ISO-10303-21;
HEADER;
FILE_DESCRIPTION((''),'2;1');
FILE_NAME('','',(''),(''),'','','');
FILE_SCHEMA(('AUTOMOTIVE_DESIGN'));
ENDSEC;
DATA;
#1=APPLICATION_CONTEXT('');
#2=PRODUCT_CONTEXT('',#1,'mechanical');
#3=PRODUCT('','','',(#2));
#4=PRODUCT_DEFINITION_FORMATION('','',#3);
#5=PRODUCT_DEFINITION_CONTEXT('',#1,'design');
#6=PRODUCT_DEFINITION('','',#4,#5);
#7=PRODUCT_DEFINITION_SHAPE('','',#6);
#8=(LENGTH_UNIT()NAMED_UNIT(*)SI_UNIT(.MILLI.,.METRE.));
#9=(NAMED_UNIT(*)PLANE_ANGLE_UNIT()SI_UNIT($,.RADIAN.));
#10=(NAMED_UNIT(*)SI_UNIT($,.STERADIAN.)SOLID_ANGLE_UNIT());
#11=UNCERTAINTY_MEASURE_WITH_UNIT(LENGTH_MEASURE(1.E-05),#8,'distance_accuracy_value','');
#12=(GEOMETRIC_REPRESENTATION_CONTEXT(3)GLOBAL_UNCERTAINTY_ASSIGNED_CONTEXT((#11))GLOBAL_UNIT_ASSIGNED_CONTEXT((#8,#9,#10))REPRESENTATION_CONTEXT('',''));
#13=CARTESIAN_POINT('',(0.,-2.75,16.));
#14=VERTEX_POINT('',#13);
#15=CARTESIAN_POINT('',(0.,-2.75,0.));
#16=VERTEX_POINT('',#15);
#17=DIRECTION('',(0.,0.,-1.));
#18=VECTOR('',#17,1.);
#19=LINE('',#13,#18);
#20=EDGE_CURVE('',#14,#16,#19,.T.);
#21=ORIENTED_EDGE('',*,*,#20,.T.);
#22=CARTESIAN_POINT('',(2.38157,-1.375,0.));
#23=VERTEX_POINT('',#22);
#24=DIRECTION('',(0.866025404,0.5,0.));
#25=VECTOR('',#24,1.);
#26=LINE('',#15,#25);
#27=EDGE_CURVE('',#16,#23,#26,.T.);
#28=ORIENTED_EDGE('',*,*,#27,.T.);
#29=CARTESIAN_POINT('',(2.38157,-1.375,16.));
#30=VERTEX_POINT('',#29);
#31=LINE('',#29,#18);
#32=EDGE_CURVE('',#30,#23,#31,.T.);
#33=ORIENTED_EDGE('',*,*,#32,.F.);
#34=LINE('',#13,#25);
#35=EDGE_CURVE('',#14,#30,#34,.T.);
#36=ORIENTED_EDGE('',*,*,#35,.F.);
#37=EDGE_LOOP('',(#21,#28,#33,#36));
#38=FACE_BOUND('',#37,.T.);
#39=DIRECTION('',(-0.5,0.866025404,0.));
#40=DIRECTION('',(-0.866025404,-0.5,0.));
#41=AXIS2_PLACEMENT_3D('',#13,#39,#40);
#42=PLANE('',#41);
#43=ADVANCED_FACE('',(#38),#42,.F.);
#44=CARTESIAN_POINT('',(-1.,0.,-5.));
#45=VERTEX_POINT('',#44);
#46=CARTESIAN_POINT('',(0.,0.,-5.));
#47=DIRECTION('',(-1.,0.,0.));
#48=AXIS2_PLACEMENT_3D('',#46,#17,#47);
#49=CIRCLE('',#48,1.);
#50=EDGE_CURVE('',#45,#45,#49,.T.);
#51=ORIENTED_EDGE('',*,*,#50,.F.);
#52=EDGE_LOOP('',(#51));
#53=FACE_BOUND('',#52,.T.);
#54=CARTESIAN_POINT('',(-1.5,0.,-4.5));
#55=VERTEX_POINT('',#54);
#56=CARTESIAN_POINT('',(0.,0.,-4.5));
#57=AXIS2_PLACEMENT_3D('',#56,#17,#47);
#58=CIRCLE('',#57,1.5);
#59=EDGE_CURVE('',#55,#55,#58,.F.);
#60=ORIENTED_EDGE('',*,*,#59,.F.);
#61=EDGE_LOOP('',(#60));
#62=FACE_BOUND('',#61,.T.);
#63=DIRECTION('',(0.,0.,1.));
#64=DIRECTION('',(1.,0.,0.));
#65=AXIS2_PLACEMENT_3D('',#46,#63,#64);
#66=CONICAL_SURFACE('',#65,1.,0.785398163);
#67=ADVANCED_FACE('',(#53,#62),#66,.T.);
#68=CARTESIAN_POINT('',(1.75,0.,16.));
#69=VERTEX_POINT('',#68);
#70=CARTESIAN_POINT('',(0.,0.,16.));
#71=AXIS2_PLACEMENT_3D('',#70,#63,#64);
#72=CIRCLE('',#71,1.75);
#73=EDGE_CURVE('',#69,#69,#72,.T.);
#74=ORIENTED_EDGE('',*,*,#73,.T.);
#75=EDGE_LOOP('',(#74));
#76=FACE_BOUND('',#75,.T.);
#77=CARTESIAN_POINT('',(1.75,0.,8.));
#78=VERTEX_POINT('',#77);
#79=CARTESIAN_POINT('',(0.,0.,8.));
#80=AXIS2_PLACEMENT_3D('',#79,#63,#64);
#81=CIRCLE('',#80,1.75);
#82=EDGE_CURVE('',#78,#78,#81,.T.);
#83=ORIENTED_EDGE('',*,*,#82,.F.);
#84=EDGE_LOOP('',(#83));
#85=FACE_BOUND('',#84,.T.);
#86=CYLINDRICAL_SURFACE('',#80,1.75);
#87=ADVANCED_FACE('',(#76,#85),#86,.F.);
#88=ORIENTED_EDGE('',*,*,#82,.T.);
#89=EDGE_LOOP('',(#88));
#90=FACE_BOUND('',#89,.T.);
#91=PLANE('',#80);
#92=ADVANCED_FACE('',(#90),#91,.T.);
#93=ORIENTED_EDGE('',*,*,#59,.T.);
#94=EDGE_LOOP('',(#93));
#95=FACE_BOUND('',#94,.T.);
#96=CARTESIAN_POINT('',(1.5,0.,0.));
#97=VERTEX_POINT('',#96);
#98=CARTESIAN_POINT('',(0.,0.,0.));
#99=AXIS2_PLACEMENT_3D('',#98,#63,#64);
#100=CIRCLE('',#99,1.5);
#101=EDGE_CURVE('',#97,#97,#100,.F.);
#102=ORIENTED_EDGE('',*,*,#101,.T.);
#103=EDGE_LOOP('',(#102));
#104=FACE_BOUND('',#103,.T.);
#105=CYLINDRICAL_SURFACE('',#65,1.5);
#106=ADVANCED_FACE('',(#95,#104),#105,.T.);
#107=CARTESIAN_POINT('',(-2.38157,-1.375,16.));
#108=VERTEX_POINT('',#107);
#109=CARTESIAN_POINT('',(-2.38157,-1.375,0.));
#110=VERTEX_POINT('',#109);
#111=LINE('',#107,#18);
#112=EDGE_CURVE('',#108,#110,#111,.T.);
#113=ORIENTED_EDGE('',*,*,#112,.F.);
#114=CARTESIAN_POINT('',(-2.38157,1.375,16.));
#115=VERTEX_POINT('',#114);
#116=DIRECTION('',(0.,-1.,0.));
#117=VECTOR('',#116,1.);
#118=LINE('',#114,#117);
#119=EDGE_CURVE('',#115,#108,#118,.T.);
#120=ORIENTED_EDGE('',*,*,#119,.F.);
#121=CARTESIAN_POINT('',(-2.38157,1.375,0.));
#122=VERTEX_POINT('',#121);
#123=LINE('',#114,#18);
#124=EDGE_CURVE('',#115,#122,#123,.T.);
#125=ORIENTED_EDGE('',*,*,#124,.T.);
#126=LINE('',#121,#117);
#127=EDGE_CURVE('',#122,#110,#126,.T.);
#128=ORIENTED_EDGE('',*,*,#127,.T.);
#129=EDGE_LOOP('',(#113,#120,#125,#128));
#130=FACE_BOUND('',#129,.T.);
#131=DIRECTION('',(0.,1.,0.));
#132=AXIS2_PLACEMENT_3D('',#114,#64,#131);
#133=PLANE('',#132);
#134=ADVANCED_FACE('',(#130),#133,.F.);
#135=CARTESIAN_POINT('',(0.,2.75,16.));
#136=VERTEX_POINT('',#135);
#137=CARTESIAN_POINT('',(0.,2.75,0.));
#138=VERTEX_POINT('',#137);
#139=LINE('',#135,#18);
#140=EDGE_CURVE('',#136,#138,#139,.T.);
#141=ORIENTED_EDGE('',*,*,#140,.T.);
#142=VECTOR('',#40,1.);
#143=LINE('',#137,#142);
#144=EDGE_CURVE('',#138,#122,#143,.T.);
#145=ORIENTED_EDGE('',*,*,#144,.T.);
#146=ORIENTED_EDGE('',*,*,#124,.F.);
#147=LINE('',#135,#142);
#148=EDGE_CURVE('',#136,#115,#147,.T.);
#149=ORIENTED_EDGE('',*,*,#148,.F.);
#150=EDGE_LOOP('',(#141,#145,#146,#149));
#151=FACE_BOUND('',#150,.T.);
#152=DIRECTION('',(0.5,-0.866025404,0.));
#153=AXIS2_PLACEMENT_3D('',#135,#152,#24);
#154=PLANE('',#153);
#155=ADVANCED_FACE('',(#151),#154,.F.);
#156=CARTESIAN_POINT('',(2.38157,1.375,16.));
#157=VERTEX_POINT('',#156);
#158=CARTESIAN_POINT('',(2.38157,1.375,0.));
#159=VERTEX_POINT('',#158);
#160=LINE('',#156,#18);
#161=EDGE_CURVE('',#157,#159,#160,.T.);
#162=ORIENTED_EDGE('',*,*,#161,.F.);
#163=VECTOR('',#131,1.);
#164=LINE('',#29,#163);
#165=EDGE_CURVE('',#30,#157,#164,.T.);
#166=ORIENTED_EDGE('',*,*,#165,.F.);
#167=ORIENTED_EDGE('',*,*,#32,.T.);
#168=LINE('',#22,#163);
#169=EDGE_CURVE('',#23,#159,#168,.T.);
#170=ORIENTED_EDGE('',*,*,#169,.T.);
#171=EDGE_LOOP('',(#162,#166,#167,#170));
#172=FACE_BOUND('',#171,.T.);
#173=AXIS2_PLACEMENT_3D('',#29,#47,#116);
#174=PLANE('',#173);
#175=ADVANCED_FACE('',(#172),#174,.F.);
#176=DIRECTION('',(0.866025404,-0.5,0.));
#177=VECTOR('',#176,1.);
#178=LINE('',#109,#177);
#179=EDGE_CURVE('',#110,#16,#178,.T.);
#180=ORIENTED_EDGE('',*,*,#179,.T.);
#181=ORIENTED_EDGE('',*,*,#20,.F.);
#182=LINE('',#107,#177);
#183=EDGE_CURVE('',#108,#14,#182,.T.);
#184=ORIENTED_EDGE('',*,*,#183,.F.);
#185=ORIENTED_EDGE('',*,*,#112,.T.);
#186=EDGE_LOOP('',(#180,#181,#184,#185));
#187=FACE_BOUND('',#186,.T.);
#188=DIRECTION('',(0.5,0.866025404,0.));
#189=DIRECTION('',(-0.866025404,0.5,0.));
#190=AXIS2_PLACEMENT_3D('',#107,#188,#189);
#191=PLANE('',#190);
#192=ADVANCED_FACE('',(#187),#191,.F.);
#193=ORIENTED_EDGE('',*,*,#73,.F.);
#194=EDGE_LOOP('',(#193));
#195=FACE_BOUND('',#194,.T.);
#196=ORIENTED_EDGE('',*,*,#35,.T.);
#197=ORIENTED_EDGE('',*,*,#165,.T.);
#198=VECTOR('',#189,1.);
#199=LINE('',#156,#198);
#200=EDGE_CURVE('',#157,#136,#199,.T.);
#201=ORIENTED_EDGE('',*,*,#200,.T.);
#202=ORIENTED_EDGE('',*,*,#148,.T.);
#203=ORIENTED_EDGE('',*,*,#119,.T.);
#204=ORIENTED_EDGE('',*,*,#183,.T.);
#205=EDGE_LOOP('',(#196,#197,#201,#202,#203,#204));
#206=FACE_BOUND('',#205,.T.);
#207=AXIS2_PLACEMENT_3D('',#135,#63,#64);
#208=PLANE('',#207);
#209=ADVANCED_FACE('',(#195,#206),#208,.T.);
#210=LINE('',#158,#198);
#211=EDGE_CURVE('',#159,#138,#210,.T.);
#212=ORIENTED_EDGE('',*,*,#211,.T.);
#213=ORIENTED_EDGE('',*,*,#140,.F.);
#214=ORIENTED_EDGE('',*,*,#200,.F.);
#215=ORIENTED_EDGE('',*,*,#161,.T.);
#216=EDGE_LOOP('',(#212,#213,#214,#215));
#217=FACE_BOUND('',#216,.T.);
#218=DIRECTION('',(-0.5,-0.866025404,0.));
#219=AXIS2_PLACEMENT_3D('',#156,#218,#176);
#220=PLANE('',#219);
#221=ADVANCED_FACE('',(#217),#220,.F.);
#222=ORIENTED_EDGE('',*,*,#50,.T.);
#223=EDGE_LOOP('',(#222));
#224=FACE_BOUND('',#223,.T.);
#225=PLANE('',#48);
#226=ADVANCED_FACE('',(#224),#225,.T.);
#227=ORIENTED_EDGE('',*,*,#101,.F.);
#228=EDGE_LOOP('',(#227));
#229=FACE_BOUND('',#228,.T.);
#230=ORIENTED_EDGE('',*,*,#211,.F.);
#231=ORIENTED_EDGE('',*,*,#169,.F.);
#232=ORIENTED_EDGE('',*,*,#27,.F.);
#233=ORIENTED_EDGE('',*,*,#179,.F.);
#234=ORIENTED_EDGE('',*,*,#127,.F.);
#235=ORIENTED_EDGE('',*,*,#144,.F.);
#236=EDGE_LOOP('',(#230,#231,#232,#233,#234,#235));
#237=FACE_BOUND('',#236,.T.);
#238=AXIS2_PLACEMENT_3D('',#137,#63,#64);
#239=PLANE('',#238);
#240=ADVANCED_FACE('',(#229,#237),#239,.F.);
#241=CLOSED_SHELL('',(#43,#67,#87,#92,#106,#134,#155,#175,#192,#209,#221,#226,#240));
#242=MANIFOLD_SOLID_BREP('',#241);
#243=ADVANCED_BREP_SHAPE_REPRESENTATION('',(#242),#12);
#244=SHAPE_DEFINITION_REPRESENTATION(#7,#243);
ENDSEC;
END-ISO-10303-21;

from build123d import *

# Parameters (mm, degrees)
BOSS_EXTRUDE1_DEPTH = 16
SKETCH2_R           = 1.75
CUT_EXTRUDE1_DEPTH  = 8
SKETCH3_R           = 1.5
BOSS_EXTRUDE2_DEPTH = 5
CHAMFER1_SIZE       = 0.5


with BuildPart() as part:
    # Sketch1 → Boss-Extrude1 (new body)
    with BuildSketch(Plane.XY):
        Polygon((0, 2.75), (-2.38156986, 1.375), (-2.38156986, -1.375), (0, -2.75), (2.38156986, -1.375), (2.38156986, 1.375), align=None)
    extrude(amount=BOSS_EXTRUDE1_DEPTH)

    # Sketch2 → Cut-Extrude1 (cut)
    with BuildSketch(Plane.XY.offset(16)):
        Circle(SKETCH2_R)
    extrude(amount=-CUT_EXTRUDE1_DEPTH, mode=Mode.SUBTRACT)

    # Sketch3 → Boss-Extrude2 (add)
    with BuildSketch(Plane(origin=(0, 0, 0), x_dir=(-1, 0, 0), z_dir=(0, 0, -1))):
        with Locations(Location((0, 0, 0), (0, 0, 180))):
            Circle(SKETCH3_R)
    extrude(amount=BOSS_EXTRUDE2_DEPTH)

    # Chamfer1
    chamfer1_edges = [part.edges().sort_by_distance(p)[0] for p in [
        (-1.5, 0, -5),
    ]]
    chamfer(chamfer1_edges, length=CHAMFER1_SIZE)


solid = part.part
